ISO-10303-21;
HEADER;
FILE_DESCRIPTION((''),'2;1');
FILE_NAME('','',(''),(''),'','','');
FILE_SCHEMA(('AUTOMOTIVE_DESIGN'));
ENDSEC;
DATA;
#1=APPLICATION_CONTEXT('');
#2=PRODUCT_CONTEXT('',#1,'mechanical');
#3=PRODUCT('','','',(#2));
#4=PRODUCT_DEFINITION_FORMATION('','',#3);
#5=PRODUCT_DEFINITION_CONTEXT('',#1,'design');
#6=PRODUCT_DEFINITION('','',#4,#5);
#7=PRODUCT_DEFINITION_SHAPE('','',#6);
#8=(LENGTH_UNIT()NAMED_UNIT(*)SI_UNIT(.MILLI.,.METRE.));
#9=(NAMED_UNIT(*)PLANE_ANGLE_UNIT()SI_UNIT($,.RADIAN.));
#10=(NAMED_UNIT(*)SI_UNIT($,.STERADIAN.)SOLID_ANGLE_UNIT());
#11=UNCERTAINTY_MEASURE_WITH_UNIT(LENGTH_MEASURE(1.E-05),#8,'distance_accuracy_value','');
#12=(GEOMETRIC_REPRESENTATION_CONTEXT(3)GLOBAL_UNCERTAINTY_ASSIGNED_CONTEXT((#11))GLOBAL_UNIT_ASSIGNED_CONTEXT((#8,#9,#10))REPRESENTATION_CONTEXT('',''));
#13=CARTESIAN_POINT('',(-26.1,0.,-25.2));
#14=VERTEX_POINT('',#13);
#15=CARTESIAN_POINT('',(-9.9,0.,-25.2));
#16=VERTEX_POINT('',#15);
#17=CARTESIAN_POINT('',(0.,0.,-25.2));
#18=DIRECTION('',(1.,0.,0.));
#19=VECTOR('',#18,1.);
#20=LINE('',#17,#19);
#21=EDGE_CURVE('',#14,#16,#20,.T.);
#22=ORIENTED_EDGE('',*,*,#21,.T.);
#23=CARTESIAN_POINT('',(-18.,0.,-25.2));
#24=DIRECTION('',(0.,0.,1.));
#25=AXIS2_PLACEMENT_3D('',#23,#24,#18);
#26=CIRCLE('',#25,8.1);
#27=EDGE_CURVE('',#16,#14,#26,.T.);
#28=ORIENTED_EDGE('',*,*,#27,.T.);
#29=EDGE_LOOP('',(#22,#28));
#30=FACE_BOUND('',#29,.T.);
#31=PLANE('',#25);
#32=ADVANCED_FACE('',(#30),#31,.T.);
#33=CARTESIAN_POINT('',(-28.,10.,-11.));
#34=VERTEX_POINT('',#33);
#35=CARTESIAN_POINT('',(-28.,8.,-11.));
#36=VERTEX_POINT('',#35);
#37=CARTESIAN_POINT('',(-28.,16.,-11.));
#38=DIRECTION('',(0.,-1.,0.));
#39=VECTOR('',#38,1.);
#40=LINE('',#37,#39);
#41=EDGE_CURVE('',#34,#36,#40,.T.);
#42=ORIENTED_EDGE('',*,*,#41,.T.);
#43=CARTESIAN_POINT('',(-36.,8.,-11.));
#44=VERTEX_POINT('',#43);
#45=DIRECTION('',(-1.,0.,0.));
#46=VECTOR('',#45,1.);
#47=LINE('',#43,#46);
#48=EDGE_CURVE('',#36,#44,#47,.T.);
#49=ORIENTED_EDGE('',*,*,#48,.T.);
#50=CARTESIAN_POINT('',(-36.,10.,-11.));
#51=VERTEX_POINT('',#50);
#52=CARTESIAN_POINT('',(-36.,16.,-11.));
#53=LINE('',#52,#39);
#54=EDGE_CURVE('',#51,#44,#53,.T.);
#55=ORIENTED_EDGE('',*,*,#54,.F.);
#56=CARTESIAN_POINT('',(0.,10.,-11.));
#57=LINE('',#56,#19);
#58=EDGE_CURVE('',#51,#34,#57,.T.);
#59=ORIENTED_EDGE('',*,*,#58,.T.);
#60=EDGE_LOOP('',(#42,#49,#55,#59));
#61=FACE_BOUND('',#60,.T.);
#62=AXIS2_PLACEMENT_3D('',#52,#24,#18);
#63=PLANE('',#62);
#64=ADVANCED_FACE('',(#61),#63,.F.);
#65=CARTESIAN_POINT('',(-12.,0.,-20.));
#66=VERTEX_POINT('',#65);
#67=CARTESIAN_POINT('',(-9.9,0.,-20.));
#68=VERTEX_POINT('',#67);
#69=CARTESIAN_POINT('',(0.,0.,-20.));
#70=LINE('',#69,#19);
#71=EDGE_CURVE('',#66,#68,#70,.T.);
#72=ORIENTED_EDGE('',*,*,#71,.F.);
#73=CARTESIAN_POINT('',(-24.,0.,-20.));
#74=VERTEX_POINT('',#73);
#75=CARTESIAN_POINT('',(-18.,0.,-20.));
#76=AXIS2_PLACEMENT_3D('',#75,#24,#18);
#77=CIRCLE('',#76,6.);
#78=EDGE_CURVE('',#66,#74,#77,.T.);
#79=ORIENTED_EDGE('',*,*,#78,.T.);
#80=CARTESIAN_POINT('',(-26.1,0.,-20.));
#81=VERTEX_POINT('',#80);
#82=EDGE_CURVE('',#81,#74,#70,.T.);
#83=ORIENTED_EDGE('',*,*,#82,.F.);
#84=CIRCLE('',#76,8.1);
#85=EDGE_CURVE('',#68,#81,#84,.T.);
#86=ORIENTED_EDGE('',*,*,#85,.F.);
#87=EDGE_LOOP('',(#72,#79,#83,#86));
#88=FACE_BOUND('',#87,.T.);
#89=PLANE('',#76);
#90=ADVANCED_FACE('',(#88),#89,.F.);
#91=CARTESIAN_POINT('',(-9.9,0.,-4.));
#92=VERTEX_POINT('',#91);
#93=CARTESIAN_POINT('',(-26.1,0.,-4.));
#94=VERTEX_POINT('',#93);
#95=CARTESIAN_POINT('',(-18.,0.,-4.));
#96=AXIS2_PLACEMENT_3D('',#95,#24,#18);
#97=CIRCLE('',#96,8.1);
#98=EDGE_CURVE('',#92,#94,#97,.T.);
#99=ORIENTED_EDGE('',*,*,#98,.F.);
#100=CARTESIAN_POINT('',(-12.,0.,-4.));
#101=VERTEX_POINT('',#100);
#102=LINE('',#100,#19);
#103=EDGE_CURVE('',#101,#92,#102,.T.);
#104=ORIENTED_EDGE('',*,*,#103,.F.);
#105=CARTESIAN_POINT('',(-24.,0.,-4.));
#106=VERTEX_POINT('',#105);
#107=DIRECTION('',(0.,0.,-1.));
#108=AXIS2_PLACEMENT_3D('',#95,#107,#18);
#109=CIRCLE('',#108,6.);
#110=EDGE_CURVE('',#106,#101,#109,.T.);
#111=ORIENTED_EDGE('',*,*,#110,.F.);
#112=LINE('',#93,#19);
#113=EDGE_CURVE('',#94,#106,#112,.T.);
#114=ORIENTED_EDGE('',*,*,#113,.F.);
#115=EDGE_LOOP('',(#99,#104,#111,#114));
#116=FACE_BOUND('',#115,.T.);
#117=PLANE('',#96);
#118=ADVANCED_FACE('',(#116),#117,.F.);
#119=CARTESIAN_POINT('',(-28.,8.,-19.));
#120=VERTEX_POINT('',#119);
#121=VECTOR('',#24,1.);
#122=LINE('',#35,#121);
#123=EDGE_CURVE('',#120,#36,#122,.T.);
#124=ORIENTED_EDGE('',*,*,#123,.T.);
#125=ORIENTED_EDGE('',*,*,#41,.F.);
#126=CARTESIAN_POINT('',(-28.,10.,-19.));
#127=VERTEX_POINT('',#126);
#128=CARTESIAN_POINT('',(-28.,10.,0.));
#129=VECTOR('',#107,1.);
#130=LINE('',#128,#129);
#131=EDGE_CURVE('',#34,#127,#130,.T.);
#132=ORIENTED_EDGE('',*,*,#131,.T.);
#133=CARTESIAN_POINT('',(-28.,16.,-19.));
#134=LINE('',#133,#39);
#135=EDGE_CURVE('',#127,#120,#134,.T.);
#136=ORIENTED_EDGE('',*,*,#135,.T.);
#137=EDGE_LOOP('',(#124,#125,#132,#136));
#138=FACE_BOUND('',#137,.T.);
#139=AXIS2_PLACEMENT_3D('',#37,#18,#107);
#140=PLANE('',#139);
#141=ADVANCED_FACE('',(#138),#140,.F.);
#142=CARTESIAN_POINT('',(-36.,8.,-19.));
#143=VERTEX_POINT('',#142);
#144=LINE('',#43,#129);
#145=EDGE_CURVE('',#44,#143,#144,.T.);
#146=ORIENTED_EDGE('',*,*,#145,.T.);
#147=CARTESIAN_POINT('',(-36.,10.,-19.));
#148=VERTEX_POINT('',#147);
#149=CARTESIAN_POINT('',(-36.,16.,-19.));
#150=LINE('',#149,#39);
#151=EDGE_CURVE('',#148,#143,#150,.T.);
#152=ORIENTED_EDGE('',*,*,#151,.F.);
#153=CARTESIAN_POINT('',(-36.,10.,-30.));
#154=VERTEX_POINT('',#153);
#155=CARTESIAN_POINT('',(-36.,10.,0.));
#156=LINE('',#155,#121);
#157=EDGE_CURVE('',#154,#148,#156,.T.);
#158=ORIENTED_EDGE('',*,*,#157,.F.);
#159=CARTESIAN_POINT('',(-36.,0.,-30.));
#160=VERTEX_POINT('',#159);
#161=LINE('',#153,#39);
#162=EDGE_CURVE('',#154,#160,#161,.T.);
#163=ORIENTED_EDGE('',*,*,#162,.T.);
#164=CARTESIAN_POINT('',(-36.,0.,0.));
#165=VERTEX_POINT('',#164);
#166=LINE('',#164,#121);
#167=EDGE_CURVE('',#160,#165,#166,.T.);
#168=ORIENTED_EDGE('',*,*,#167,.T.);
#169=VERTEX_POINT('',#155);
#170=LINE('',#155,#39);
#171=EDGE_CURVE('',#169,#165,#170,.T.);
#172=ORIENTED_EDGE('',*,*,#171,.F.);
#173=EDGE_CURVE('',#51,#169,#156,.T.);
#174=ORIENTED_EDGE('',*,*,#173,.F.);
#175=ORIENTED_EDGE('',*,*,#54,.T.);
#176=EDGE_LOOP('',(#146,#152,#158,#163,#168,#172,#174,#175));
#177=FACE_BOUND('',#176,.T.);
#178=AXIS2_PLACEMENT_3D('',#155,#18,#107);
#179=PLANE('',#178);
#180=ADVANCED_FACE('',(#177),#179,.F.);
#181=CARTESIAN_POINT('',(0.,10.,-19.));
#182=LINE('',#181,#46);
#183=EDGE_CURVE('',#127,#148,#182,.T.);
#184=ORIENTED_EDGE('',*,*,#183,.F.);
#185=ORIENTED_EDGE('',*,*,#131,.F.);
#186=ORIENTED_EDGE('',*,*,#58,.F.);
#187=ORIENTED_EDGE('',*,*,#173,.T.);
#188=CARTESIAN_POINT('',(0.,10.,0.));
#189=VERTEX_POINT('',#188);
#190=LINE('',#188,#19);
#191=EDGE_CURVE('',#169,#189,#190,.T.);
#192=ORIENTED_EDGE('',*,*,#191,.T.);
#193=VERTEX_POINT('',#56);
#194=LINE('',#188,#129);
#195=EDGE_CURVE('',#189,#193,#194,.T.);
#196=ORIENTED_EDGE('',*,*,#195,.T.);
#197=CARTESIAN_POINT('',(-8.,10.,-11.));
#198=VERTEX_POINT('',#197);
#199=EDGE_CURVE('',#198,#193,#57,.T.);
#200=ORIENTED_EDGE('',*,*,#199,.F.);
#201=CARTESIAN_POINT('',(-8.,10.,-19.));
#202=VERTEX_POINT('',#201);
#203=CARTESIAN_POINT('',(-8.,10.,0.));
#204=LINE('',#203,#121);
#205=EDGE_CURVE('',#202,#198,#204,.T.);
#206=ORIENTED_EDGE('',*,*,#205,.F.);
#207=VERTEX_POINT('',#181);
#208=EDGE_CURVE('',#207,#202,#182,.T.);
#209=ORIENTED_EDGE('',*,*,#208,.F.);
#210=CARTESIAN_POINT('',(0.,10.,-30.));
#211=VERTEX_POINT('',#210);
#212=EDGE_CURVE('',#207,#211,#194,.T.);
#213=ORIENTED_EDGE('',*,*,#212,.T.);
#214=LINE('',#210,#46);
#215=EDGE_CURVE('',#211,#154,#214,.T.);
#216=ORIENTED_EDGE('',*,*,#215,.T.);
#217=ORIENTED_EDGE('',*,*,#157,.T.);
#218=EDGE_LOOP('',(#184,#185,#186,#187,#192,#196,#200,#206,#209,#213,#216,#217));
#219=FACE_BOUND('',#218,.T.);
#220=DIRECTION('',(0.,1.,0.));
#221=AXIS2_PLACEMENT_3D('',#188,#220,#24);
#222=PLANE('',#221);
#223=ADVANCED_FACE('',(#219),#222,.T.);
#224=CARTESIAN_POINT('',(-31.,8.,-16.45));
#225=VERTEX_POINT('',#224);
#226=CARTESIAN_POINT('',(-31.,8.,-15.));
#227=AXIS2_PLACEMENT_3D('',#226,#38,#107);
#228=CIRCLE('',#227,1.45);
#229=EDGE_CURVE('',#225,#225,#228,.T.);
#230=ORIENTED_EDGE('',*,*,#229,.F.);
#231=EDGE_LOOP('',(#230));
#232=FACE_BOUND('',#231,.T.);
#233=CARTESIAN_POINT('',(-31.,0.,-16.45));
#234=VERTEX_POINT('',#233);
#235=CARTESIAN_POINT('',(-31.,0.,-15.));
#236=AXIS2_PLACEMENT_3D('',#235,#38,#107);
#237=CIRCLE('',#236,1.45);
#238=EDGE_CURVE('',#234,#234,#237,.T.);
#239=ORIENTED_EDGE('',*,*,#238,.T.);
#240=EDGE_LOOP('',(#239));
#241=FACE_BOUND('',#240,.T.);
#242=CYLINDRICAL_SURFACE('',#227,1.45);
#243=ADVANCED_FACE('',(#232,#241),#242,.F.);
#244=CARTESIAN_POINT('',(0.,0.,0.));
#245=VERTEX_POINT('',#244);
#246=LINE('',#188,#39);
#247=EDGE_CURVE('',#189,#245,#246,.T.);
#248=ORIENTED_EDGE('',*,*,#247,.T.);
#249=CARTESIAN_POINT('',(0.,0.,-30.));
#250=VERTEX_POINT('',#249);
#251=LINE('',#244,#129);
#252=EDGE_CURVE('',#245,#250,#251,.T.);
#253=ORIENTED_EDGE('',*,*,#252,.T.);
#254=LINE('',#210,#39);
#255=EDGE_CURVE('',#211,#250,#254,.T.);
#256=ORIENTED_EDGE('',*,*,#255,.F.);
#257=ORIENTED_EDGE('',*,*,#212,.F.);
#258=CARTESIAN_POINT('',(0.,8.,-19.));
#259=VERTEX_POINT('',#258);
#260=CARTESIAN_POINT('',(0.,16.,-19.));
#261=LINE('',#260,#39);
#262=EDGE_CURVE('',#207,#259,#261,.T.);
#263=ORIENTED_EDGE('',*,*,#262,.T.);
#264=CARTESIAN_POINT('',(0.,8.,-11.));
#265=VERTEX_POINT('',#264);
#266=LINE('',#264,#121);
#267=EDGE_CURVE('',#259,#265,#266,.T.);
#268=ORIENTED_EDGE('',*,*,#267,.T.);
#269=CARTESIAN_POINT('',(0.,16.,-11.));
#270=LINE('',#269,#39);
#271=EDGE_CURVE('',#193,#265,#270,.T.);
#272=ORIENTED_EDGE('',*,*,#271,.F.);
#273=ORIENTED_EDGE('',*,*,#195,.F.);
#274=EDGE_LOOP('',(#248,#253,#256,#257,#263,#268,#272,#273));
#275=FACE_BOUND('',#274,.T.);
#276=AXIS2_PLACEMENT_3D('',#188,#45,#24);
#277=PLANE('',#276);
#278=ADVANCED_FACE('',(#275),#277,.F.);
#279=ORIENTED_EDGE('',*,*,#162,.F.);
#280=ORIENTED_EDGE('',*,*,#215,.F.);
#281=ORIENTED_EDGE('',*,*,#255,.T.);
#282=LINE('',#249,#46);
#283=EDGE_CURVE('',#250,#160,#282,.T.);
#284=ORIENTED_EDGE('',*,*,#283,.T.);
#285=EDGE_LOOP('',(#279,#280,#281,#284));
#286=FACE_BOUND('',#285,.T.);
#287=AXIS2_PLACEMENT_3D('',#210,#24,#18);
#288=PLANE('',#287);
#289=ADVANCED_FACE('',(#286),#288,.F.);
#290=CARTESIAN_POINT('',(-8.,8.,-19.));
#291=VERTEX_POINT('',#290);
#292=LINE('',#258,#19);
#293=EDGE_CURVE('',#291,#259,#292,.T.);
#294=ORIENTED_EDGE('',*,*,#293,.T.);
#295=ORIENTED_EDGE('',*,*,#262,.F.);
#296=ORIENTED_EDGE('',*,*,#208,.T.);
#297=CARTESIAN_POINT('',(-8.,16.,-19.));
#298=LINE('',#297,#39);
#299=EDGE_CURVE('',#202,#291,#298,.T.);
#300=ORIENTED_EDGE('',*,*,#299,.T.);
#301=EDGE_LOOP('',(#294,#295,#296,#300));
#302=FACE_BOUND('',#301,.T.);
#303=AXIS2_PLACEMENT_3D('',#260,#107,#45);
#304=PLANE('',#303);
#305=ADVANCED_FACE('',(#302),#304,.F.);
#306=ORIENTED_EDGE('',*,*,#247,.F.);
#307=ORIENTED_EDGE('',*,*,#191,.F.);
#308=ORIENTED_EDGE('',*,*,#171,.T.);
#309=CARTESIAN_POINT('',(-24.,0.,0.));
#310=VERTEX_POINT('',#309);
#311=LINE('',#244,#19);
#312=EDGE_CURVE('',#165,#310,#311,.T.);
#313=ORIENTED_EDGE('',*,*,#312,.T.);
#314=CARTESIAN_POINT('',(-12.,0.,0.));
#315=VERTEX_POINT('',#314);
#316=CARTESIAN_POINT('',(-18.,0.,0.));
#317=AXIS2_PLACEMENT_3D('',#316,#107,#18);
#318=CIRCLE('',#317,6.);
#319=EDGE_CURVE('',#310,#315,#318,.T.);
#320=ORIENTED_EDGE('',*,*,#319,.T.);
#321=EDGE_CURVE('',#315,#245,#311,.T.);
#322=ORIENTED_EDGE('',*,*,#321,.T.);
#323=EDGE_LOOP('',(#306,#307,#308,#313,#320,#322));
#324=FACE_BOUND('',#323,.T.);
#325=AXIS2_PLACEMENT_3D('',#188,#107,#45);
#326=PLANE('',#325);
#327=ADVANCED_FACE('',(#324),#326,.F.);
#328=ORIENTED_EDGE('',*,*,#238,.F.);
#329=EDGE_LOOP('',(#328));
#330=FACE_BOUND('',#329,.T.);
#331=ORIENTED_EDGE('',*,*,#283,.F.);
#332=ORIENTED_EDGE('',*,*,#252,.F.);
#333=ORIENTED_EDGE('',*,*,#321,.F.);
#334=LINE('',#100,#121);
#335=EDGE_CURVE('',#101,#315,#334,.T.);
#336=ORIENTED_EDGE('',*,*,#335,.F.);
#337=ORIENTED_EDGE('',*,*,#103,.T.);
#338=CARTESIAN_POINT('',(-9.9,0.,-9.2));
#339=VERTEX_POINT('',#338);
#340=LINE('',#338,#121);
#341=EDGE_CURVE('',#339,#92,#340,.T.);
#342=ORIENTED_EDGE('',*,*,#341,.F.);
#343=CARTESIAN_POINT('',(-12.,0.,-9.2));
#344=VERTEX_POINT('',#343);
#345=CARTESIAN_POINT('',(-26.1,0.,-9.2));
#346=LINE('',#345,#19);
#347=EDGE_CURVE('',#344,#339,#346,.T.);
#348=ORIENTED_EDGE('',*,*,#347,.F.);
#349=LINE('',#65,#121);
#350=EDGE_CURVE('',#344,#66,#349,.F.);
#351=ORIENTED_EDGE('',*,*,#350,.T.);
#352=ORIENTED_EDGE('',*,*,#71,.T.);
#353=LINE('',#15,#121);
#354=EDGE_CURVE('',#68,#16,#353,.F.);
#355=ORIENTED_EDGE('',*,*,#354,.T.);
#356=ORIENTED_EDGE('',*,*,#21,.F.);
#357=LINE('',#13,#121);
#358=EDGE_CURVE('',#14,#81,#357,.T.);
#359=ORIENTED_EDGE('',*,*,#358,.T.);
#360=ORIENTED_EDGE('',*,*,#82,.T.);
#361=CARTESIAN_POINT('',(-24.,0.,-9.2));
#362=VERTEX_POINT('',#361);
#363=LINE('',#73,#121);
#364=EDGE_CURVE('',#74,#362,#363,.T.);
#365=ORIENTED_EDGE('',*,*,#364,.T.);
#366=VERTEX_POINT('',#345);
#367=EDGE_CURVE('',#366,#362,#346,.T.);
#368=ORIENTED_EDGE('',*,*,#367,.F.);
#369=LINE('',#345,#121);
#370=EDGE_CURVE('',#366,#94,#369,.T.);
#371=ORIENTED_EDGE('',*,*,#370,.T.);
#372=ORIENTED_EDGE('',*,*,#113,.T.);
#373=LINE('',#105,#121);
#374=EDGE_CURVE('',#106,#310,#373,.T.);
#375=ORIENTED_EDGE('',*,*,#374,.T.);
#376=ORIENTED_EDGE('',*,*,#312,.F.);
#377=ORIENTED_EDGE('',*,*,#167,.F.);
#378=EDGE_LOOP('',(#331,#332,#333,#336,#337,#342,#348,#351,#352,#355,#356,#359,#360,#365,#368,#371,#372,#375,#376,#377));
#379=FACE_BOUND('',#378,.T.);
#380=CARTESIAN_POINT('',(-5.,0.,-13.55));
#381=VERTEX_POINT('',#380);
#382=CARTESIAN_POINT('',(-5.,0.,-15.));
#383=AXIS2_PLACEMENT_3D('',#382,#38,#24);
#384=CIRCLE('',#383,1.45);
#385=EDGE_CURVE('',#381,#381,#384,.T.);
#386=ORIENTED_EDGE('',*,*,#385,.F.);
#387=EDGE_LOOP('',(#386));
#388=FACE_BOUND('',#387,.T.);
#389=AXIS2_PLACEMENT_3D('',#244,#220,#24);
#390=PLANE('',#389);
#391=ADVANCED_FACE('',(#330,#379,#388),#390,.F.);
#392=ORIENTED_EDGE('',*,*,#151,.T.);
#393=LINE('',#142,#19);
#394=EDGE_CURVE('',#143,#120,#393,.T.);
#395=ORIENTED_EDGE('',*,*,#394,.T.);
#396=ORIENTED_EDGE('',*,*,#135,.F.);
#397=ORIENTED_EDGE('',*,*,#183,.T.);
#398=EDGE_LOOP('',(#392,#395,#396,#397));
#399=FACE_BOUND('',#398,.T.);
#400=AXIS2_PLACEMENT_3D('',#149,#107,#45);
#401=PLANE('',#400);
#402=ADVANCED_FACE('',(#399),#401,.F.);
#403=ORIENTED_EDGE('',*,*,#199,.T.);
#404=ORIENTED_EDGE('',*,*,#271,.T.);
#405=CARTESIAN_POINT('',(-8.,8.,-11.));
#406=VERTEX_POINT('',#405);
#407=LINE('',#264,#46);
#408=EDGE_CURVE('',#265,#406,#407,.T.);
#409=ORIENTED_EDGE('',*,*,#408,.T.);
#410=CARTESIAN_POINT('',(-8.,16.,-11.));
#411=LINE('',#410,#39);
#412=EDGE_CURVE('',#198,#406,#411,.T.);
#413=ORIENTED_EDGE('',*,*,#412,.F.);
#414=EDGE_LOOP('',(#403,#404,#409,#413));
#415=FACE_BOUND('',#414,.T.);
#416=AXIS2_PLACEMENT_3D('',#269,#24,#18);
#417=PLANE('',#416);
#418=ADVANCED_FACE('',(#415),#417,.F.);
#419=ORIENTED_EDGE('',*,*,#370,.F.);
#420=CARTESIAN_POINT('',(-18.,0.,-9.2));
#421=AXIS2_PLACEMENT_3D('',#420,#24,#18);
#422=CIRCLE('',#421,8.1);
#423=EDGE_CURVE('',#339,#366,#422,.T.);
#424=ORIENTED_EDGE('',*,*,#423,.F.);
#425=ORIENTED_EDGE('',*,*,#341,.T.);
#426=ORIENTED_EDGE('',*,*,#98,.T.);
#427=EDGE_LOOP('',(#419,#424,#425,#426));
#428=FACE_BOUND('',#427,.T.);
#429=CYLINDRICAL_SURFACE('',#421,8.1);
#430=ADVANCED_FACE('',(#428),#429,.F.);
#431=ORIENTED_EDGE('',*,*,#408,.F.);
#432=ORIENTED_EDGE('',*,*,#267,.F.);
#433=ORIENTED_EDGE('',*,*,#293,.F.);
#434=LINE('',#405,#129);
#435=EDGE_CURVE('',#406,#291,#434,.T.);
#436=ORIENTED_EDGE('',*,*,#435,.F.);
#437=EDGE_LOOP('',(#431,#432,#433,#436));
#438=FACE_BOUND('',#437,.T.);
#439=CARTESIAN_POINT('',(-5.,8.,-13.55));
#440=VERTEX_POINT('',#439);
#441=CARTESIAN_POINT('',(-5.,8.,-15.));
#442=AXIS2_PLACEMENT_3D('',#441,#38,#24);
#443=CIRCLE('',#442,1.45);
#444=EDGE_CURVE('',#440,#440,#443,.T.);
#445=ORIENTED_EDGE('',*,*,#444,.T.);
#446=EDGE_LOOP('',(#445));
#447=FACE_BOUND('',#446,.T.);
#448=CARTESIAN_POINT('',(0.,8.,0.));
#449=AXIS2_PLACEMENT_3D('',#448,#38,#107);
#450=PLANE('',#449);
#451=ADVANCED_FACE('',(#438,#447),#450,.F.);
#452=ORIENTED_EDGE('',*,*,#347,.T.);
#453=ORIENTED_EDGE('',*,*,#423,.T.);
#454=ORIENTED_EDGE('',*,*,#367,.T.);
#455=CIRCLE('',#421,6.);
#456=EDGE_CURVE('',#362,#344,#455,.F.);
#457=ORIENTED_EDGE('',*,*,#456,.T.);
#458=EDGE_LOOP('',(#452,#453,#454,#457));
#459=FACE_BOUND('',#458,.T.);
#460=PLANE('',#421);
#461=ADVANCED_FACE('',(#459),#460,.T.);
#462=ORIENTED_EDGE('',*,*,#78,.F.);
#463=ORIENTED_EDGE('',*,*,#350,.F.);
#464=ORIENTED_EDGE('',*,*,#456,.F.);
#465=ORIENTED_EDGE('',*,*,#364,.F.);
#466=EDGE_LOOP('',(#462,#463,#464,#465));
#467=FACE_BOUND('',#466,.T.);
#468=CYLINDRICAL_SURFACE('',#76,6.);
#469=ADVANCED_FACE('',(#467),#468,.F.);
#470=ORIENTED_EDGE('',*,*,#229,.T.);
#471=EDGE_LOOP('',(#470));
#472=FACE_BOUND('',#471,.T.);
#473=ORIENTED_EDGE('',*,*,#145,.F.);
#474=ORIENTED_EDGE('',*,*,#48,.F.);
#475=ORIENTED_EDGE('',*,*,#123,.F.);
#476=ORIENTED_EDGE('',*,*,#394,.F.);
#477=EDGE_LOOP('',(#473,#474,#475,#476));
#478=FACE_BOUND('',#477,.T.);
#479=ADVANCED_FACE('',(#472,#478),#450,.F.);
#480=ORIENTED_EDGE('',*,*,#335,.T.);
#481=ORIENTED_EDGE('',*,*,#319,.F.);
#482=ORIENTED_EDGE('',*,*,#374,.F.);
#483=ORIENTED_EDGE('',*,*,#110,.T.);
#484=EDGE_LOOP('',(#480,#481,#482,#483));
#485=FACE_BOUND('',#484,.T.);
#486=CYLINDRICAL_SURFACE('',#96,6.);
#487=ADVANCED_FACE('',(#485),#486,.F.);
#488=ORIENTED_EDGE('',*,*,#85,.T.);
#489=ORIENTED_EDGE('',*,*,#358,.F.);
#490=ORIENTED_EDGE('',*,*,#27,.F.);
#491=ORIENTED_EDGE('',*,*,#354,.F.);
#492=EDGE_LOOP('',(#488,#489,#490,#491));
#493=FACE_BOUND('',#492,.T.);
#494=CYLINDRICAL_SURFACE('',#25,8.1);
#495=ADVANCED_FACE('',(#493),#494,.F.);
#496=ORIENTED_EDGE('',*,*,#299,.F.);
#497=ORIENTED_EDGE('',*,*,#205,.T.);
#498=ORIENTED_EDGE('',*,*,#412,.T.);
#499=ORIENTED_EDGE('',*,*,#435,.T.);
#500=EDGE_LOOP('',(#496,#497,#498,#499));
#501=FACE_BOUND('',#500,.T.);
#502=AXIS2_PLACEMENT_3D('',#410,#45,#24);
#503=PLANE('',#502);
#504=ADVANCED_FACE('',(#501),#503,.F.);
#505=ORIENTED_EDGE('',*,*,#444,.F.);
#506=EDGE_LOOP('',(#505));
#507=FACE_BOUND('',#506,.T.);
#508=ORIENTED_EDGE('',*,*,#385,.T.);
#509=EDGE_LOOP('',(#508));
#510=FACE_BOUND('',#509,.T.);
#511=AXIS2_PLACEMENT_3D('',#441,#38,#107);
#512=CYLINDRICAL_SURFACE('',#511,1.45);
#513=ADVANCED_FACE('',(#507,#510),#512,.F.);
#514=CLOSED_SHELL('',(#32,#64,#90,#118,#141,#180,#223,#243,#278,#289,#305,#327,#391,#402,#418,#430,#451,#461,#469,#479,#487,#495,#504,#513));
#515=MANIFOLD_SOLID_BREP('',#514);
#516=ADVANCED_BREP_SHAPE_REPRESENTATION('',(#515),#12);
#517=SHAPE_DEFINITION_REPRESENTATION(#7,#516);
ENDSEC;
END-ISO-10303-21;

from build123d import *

# Parameters (mm, degrees)
SKETCH_2_W          = 36
SKETCH_2_H          = 30
EXTRUDE_1_DEPTH     = 10
SKETCH_3_R          = 6
CUT_EXTRUDE_1_DEPTH = 20
SKETCH_4_R          = 8.1
CUT_EXTRUDE_2_DEPTH = 5.2
SKETCH_5_R          = 1.45
CUT_EXTRUDE_3_DEPTH = 8
SKETCH_6_W          = 8
SKETCH_6_H          = 8
CUT_EXTRUDE_4_DEPTH = 8
CUT_EXTRUDE_5_DEPTH = 9.2
EXTRUDE_2_DEPTH     = 4


with BuildPart() as part:
    # 草图2 → 凸台-拉伸1 (new body)
    with BuildSketch(Plane(origin=(0, 0, 0), x_dir=(1, 0, 0), z_dir=(0, 1, 0))):
        with Locations((-18, 15)):
            Rectangle(SKETCH_2_W, SKETCH_2_H)
    extrude(amount=EXTRUDE_1_DEPTH)

    # 草图3 → 切除-拉伸1 (cut)
    with BuildSketch(Plane.XY):
        with Locations((-18, 0)):
            Circle(SKETCH_3_R)
    extrude(amount=-CUT_EXTRUDE_1_DEPTH, mode=Mode.SUBTRACT)

    # 草图4 → 切除-拉伸2 (cut)
    with BuildSketch(Plane.XY.offset(-20)):
        with Locations((-18, 0)):
            Circle(SKETCH_4_R)
    extrude(amount=-CUT_EXTRUDE_2_DEPTH, mode=Mode.SUBTRACT)

    # 草图5 → 切除-拉伸3 (cut)
    with BuildSketch(Plane.XZ):
        with Locations(Location((-31, -15, 0), (0, 0, 270))):
            Circle(SKETCH_5_R)
        with Locations(Location((-5, -15, 0), (0, 0, 90))):
            Circle(SKETCH_5_R)
    extrude(amount=-CUT_EXTRUDE_3_DEPTH, mode=Mode.SUBTRACT)

    # 草图6 → 切除-拉伸4 (cut)
    with BuildSketch(Plane.XZ.offset(-8)):
        with Locations((-32, -15)):
            Rectangle(SKETCH_6_W, SKETCH_6_H)
        with Locations((-4, -15)):
            Rectangle(SKETCH_6_W, SKETCH_6_H)
    extrude(amount=-CUT_EXTRUDE_4_DEPTH, mode=Mode.SUBTRACT)

    # 草图7 → 切除-拉伸5 (cut)
    with BuildSketch(Plane.XY):
        with BuildLine():
            Line((-26.1, 0), (-9.9, 0))
            ThreePointArc((-9.9, 0), (-18, 8.1), (-26.1, 0))
        make_face()
    extrude(amount=-CUT_EXTRUDE_5_DEPTH, mode=Mode.SUBTRACT)

    # 草图8 → 凸台-拉伸2 (add)
    with BuildSketch(Plane.XY):
        with BuildLine():
            Line((-12, 0), (-9.9, 0))
            ThreePointArc((-9.9, 0), (-18, 8.1), (-26.1, 0))
            Line((-26.1, 0), (-24, 0))
            ThreePointArc((-24, 0), (-18, 6), (-12, 0))
        make_face()
    extrude(amount=-EXTRUDE_2_DEPTH)


solid = part.part
